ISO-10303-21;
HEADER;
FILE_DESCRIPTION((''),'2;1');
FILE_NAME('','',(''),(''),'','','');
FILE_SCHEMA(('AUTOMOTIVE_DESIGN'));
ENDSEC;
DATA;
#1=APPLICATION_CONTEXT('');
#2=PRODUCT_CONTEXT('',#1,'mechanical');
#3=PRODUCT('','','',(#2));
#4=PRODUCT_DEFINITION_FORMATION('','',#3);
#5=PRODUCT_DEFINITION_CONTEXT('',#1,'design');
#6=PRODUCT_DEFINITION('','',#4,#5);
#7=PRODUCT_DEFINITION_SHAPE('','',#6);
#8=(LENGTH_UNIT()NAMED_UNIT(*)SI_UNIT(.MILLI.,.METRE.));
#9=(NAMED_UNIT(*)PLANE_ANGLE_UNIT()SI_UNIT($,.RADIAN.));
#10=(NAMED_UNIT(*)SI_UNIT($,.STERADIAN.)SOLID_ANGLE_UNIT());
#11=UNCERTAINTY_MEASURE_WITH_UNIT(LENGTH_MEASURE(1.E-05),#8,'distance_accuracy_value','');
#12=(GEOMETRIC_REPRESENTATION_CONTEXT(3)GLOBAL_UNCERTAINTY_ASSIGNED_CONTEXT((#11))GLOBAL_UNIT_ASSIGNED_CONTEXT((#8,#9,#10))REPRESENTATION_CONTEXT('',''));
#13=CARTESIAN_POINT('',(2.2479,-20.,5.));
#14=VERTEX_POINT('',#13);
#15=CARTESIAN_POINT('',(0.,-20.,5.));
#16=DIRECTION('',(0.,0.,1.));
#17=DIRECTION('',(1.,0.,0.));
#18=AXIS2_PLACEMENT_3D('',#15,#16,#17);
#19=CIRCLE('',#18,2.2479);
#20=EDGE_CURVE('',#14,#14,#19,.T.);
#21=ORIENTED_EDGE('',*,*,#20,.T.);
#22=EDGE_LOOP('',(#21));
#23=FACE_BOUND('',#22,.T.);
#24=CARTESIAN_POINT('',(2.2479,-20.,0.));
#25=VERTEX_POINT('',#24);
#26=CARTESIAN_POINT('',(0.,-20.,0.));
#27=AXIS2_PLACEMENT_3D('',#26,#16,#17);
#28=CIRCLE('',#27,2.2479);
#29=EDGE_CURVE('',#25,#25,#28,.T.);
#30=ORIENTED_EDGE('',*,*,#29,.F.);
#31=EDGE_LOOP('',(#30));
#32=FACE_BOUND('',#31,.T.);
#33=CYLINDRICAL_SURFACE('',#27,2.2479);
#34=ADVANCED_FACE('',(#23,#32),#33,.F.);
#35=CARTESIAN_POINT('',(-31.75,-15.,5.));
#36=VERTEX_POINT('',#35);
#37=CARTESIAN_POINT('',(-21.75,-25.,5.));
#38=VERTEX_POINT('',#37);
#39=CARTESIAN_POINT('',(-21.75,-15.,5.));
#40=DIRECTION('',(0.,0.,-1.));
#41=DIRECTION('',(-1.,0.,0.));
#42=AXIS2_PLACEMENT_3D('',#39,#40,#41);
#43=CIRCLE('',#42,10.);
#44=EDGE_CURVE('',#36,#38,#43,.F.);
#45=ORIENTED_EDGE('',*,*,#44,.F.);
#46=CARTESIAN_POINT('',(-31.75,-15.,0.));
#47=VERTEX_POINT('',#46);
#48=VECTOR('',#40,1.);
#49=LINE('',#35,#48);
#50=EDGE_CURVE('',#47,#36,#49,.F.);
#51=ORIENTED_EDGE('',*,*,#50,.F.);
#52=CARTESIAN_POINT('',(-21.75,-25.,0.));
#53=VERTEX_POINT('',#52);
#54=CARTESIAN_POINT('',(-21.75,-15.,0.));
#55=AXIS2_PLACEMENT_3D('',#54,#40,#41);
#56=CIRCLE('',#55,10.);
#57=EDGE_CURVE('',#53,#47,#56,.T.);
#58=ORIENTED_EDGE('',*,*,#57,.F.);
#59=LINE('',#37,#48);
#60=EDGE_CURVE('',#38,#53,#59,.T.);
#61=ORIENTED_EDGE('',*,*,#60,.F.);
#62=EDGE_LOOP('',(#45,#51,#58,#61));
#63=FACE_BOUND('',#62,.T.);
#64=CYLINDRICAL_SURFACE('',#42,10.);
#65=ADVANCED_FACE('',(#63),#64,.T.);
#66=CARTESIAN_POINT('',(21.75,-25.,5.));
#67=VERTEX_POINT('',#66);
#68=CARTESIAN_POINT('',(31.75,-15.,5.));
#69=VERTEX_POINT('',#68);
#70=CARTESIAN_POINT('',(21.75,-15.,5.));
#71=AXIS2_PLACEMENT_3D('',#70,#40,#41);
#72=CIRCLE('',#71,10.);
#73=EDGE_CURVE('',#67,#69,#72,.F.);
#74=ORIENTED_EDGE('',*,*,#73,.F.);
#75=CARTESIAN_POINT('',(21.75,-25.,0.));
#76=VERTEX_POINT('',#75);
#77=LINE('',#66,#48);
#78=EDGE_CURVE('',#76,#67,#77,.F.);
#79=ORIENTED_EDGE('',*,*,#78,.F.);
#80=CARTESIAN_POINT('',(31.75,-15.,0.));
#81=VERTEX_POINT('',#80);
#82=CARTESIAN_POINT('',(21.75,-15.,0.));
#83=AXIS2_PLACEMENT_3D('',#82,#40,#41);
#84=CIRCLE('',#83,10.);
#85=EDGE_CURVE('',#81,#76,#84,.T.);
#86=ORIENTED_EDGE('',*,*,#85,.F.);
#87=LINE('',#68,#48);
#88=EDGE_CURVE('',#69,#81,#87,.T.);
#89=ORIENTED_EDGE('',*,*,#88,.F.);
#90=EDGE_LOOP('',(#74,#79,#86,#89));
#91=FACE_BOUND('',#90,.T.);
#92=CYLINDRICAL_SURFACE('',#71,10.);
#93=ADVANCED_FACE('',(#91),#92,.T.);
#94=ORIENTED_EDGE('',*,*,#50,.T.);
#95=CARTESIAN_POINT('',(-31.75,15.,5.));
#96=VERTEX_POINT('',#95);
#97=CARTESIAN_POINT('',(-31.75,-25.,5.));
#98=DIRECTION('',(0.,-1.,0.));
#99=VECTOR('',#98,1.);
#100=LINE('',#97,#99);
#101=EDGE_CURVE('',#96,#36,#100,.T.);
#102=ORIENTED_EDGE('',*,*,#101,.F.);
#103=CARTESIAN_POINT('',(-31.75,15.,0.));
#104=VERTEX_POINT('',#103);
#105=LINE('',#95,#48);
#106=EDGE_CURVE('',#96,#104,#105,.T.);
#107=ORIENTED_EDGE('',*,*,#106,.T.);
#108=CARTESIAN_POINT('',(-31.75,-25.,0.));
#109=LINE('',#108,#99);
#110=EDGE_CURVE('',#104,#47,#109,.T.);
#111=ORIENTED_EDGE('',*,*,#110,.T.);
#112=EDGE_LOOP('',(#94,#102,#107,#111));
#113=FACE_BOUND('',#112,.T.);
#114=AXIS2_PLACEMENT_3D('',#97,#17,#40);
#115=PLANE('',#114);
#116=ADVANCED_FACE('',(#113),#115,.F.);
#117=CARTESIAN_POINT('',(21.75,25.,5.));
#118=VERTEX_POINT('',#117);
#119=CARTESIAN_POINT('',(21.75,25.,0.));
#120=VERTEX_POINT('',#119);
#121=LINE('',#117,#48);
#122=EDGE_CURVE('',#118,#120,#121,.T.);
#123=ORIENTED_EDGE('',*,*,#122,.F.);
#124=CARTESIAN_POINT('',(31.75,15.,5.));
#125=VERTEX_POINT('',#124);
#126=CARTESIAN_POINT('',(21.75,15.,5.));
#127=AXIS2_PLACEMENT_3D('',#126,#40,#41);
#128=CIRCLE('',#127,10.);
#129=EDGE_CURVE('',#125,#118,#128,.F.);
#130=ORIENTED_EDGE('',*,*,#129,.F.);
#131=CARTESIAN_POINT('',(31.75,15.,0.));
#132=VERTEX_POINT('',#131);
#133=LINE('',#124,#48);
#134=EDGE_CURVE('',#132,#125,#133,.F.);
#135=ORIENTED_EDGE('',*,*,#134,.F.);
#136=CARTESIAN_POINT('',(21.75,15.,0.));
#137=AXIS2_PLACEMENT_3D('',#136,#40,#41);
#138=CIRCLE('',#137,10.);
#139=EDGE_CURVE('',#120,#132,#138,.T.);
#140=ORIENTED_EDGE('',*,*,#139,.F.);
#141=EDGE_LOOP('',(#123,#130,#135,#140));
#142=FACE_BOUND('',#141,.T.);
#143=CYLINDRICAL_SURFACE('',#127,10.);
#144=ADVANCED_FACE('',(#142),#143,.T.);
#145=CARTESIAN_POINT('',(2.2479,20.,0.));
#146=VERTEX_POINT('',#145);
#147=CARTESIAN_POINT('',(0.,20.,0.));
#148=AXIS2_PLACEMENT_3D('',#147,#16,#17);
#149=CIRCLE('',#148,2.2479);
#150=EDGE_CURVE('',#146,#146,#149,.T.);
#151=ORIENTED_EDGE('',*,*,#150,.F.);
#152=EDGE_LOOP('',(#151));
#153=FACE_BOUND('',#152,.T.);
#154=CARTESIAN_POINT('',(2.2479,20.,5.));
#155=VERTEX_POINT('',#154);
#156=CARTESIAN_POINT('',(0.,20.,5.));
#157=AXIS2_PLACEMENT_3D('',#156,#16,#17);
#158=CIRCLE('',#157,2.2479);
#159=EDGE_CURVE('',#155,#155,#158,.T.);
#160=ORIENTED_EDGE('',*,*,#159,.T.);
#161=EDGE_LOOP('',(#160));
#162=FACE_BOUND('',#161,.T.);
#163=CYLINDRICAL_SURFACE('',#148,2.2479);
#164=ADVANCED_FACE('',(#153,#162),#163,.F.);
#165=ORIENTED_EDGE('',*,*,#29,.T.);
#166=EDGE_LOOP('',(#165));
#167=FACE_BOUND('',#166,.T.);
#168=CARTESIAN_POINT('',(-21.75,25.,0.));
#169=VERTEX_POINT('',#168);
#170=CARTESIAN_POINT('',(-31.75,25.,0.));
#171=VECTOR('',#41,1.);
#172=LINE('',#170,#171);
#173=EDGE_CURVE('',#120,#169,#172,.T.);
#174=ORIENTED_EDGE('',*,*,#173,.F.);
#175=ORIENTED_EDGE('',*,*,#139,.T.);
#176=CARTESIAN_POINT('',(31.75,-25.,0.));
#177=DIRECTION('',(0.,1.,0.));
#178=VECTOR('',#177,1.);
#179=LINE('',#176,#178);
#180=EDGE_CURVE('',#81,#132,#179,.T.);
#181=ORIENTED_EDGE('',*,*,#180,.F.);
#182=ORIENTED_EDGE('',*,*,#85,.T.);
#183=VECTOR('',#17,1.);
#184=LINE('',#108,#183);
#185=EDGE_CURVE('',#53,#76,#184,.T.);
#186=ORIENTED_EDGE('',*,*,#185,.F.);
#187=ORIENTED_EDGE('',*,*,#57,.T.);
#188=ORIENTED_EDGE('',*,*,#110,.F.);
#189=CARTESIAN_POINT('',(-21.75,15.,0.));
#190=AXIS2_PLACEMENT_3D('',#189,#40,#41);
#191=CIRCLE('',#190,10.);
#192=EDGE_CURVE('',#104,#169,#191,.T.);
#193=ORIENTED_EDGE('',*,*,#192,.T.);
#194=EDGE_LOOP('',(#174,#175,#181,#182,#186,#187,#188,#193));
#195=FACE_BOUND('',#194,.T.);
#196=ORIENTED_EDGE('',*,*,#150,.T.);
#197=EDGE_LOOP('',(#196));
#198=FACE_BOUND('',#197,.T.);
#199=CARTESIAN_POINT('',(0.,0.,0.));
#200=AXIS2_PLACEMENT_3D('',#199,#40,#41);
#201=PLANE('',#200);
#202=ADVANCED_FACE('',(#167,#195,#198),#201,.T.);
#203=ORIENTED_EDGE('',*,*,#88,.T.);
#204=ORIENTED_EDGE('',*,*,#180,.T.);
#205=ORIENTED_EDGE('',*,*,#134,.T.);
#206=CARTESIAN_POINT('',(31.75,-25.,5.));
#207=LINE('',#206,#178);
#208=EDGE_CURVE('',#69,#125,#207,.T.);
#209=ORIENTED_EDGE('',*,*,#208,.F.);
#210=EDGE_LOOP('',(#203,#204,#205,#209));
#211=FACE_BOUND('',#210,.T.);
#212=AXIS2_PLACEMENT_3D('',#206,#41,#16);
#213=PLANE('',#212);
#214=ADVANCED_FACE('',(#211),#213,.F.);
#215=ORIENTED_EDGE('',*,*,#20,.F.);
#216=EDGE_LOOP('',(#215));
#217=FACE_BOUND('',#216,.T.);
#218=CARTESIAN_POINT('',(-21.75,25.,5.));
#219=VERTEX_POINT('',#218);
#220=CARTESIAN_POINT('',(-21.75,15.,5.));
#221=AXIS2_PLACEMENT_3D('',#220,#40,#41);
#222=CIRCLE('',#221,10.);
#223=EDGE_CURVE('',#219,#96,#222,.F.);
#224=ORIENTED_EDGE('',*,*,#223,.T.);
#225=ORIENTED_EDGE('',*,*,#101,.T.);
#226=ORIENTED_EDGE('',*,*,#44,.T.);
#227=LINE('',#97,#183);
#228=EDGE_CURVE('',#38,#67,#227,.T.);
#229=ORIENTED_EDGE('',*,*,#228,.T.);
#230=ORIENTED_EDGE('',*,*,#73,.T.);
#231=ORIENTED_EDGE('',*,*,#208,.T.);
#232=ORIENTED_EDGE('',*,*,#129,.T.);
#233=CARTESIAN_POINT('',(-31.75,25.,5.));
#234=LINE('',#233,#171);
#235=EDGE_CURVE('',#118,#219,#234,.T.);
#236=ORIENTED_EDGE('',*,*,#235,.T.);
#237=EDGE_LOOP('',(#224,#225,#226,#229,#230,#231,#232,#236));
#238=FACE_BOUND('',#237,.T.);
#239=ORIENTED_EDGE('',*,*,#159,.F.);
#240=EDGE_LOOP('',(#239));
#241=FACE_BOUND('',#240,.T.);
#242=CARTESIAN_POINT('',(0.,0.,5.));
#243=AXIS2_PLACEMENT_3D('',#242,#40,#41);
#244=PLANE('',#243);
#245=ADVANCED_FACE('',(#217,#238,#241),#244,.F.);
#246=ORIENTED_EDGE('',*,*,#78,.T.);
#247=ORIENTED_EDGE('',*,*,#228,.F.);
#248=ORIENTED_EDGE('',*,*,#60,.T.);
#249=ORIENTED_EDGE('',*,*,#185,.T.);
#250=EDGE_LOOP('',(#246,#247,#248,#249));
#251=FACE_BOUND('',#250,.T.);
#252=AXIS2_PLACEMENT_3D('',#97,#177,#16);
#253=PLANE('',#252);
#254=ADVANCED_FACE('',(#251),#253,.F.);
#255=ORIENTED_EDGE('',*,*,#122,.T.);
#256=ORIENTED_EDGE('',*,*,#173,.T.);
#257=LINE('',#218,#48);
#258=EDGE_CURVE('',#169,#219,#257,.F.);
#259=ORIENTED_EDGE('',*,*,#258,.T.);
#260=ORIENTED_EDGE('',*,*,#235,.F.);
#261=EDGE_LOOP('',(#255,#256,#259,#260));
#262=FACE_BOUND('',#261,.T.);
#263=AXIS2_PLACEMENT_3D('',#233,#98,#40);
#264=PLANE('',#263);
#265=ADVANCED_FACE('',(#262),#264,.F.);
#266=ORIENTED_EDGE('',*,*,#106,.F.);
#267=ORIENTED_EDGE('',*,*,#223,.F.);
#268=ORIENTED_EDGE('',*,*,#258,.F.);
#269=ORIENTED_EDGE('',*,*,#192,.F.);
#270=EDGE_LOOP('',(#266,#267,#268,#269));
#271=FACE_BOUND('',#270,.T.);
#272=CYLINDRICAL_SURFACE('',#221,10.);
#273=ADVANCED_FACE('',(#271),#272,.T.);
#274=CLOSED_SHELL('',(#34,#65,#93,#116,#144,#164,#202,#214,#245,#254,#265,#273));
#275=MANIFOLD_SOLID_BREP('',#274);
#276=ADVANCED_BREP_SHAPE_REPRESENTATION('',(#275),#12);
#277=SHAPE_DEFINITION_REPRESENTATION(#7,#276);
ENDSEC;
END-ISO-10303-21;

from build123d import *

# Parameters (mm, degrees)
SKETCH1_W           = 63.5
SKETCH1_H           = 50
BOSS_EXTRUDE1_DEPTH = 5
FILLET1_R           = 10
SKETCH9_R           = 2.2479
CUT_EXTRUDE3_DEPTH  = 41.719313599


with BuildPart() as part:
    # Sketch1 → Boss-Extrude1 (new body)
    with BuildSketch(Plane.XY):
        Rectangle(SKETCH1_W, SKETCH1_H)
    extrude(amount=BOSS_EXTRUDE1_DEPTH)

    # Fillet1
    fillet1_edges = [part.edges().sort_by_distance(p)[0] for p in [
        (31.75, -25, 2.5),
        (-31.75, -25, 2.5),
        (-31.75, 25, 2.5),
        (31.75, 25, 2.5),
    ]]
    fillet(fillet1_edges, radius=FILLET1_R)

    # Sketch9 → Cut-Extrude3 (cut, through all)
    with BuildSketch(Plane.XY.offset(5)):
        with Locations((0, 20)):
            Circle(SKETCH9_R)
        with Locations((0, -20)):
            Circle(SKETCH9_R)
    extrude(amount=-CUT_EXTRUDE3_DEPTH, mode=Mode.SUBTRACT)


solid = part.part
